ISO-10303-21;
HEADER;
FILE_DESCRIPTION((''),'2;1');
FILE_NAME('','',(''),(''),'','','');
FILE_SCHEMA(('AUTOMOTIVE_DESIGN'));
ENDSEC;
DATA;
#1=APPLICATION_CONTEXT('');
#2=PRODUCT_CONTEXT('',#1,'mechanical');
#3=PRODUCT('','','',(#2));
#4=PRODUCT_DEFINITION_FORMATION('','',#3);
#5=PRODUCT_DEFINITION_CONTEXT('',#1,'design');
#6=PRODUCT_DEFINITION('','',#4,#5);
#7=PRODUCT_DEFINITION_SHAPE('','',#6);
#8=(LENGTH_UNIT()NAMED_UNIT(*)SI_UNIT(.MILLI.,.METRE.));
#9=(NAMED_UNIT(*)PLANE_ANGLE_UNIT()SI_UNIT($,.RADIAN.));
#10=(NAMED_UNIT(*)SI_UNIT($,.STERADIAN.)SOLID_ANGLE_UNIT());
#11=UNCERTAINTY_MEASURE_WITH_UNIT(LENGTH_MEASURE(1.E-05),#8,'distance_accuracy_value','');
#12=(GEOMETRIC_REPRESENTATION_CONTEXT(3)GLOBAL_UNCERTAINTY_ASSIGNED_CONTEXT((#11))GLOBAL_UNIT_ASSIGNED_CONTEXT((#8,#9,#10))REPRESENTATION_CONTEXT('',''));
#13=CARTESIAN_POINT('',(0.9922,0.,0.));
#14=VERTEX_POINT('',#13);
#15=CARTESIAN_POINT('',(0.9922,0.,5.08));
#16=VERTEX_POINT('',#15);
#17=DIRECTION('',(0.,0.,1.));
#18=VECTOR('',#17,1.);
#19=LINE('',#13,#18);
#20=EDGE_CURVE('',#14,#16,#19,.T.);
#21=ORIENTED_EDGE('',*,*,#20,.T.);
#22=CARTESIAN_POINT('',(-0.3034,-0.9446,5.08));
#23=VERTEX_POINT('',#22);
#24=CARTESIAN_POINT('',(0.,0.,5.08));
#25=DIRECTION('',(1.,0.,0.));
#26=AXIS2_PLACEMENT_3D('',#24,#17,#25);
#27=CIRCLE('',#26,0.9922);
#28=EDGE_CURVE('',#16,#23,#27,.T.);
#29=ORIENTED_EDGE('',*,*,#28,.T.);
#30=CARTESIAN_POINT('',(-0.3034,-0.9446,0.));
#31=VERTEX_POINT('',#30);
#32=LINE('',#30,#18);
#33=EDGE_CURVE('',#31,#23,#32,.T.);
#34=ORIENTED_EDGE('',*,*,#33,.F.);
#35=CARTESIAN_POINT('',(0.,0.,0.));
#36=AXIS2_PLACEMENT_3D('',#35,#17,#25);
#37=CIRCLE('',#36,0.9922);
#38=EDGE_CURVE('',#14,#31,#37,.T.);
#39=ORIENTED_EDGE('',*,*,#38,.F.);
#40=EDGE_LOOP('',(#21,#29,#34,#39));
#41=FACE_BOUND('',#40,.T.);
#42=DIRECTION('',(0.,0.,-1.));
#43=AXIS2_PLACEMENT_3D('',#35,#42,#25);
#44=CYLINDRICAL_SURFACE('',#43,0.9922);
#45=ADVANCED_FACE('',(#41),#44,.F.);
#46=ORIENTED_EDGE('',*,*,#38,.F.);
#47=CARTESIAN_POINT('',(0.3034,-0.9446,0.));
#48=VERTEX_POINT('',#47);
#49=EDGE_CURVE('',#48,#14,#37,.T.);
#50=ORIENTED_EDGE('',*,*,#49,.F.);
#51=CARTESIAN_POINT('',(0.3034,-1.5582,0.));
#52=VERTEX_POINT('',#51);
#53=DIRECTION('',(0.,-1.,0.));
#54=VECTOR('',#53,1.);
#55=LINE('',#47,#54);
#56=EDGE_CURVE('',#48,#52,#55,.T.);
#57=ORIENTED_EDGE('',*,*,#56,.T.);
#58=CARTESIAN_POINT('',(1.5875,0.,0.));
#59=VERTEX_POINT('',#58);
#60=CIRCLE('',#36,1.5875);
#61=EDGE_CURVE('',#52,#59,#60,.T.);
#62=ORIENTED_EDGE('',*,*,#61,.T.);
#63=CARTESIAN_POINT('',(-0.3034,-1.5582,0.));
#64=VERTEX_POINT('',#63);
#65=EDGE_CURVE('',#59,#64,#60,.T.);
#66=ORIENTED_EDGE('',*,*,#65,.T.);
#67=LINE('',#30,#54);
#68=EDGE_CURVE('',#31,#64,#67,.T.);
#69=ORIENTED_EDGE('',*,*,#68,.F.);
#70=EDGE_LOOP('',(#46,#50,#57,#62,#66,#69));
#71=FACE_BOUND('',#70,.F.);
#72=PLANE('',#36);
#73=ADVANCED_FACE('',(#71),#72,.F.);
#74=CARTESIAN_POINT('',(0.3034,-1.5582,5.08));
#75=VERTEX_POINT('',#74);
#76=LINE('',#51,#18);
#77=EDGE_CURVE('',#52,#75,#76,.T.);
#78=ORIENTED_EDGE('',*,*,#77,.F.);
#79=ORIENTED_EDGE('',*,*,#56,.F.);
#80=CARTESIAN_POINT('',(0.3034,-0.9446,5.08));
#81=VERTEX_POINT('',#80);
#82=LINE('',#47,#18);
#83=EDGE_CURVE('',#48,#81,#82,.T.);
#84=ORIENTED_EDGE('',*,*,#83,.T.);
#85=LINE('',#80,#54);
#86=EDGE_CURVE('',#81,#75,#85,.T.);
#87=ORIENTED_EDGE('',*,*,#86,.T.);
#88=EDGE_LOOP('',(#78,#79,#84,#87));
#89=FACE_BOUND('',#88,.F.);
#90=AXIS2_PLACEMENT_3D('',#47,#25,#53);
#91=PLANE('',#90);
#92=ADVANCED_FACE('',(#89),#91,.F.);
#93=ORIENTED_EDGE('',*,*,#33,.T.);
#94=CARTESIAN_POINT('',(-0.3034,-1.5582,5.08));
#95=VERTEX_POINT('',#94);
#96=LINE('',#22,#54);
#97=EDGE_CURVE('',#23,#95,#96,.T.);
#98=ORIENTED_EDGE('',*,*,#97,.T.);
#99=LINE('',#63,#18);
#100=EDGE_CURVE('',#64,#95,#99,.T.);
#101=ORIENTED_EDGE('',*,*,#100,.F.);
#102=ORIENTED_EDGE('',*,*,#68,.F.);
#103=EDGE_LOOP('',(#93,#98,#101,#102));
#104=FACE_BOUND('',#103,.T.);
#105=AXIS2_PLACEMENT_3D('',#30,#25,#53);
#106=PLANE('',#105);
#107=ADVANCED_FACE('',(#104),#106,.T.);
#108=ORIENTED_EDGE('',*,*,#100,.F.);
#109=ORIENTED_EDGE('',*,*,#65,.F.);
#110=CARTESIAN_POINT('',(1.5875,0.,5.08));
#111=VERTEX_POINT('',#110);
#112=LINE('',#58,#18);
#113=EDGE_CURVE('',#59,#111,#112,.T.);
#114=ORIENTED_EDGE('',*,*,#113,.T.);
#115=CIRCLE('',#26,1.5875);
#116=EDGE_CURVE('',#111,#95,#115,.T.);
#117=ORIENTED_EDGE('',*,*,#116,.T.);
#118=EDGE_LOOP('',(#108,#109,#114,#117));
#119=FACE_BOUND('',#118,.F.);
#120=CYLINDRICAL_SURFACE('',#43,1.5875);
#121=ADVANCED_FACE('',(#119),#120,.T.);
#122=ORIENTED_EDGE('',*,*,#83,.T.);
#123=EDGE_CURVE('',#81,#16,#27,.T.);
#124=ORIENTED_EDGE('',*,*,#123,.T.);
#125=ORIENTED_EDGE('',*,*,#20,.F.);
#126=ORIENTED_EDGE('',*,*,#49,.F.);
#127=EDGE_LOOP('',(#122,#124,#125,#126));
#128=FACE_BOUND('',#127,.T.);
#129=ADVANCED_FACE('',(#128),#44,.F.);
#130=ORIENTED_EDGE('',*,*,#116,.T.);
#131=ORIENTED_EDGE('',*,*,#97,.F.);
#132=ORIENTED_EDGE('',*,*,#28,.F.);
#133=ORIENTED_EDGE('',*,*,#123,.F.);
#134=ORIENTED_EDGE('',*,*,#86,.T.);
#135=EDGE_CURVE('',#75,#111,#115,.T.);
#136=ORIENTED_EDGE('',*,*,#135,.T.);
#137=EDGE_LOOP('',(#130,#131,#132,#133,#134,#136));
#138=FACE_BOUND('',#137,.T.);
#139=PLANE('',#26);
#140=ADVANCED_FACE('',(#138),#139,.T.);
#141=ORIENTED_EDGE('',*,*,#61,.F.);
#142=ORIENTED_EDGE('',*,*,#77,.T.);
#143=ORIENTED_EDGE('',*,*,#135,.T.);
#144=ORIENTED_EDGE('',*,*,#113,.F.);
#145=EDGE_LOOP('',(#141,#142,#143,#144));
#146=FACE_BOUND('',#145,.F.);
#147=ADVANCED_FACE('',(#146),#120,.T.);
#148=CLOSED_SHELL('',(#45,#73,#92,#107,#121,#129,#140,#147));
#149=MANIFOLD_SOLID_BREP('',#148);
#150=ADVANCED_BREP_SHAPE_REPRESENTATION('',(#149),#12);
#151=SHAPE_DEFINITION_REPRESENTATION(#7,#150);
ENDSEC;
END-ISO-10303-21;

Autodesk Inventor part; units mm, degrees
ref_plane "YZ Plane" through (0, 0, 0) normal (1, 0, 0) x (0, 1, 0)
ref_plane "XZ Plane" through (0, 0, 0) normal (0, 1, 0) x (-1, 0, 0)
ref_plane "XY Plane" through (0, 0, 0) normal (0, 0, 1) x (1, 0, 0)
sketch "Sketch1" plane through (0, 0, 0) normal (0, 0, 1) x (1, 0, 0)
  circle A0 centre (0, 0) radius 1.5875
  circle A1 centre (0, 0) radius 0.9922
  line L0 (0.3034, -0.9446) -> (0.3034, -1.5582)
  line L1 (-0.3034, -0.9446) -> (-0.3034, -1.5582)
  dimension "d0" = 3.175
  dimension "d1" = 1.9844
extrude "Extrusion1" add sketch "Sketch1" along normal blind 5.08 contours A0 L0 A1 L1 picked at (1.3742, 0.1247)
properties part number "Conn Rod Crank Connector"
